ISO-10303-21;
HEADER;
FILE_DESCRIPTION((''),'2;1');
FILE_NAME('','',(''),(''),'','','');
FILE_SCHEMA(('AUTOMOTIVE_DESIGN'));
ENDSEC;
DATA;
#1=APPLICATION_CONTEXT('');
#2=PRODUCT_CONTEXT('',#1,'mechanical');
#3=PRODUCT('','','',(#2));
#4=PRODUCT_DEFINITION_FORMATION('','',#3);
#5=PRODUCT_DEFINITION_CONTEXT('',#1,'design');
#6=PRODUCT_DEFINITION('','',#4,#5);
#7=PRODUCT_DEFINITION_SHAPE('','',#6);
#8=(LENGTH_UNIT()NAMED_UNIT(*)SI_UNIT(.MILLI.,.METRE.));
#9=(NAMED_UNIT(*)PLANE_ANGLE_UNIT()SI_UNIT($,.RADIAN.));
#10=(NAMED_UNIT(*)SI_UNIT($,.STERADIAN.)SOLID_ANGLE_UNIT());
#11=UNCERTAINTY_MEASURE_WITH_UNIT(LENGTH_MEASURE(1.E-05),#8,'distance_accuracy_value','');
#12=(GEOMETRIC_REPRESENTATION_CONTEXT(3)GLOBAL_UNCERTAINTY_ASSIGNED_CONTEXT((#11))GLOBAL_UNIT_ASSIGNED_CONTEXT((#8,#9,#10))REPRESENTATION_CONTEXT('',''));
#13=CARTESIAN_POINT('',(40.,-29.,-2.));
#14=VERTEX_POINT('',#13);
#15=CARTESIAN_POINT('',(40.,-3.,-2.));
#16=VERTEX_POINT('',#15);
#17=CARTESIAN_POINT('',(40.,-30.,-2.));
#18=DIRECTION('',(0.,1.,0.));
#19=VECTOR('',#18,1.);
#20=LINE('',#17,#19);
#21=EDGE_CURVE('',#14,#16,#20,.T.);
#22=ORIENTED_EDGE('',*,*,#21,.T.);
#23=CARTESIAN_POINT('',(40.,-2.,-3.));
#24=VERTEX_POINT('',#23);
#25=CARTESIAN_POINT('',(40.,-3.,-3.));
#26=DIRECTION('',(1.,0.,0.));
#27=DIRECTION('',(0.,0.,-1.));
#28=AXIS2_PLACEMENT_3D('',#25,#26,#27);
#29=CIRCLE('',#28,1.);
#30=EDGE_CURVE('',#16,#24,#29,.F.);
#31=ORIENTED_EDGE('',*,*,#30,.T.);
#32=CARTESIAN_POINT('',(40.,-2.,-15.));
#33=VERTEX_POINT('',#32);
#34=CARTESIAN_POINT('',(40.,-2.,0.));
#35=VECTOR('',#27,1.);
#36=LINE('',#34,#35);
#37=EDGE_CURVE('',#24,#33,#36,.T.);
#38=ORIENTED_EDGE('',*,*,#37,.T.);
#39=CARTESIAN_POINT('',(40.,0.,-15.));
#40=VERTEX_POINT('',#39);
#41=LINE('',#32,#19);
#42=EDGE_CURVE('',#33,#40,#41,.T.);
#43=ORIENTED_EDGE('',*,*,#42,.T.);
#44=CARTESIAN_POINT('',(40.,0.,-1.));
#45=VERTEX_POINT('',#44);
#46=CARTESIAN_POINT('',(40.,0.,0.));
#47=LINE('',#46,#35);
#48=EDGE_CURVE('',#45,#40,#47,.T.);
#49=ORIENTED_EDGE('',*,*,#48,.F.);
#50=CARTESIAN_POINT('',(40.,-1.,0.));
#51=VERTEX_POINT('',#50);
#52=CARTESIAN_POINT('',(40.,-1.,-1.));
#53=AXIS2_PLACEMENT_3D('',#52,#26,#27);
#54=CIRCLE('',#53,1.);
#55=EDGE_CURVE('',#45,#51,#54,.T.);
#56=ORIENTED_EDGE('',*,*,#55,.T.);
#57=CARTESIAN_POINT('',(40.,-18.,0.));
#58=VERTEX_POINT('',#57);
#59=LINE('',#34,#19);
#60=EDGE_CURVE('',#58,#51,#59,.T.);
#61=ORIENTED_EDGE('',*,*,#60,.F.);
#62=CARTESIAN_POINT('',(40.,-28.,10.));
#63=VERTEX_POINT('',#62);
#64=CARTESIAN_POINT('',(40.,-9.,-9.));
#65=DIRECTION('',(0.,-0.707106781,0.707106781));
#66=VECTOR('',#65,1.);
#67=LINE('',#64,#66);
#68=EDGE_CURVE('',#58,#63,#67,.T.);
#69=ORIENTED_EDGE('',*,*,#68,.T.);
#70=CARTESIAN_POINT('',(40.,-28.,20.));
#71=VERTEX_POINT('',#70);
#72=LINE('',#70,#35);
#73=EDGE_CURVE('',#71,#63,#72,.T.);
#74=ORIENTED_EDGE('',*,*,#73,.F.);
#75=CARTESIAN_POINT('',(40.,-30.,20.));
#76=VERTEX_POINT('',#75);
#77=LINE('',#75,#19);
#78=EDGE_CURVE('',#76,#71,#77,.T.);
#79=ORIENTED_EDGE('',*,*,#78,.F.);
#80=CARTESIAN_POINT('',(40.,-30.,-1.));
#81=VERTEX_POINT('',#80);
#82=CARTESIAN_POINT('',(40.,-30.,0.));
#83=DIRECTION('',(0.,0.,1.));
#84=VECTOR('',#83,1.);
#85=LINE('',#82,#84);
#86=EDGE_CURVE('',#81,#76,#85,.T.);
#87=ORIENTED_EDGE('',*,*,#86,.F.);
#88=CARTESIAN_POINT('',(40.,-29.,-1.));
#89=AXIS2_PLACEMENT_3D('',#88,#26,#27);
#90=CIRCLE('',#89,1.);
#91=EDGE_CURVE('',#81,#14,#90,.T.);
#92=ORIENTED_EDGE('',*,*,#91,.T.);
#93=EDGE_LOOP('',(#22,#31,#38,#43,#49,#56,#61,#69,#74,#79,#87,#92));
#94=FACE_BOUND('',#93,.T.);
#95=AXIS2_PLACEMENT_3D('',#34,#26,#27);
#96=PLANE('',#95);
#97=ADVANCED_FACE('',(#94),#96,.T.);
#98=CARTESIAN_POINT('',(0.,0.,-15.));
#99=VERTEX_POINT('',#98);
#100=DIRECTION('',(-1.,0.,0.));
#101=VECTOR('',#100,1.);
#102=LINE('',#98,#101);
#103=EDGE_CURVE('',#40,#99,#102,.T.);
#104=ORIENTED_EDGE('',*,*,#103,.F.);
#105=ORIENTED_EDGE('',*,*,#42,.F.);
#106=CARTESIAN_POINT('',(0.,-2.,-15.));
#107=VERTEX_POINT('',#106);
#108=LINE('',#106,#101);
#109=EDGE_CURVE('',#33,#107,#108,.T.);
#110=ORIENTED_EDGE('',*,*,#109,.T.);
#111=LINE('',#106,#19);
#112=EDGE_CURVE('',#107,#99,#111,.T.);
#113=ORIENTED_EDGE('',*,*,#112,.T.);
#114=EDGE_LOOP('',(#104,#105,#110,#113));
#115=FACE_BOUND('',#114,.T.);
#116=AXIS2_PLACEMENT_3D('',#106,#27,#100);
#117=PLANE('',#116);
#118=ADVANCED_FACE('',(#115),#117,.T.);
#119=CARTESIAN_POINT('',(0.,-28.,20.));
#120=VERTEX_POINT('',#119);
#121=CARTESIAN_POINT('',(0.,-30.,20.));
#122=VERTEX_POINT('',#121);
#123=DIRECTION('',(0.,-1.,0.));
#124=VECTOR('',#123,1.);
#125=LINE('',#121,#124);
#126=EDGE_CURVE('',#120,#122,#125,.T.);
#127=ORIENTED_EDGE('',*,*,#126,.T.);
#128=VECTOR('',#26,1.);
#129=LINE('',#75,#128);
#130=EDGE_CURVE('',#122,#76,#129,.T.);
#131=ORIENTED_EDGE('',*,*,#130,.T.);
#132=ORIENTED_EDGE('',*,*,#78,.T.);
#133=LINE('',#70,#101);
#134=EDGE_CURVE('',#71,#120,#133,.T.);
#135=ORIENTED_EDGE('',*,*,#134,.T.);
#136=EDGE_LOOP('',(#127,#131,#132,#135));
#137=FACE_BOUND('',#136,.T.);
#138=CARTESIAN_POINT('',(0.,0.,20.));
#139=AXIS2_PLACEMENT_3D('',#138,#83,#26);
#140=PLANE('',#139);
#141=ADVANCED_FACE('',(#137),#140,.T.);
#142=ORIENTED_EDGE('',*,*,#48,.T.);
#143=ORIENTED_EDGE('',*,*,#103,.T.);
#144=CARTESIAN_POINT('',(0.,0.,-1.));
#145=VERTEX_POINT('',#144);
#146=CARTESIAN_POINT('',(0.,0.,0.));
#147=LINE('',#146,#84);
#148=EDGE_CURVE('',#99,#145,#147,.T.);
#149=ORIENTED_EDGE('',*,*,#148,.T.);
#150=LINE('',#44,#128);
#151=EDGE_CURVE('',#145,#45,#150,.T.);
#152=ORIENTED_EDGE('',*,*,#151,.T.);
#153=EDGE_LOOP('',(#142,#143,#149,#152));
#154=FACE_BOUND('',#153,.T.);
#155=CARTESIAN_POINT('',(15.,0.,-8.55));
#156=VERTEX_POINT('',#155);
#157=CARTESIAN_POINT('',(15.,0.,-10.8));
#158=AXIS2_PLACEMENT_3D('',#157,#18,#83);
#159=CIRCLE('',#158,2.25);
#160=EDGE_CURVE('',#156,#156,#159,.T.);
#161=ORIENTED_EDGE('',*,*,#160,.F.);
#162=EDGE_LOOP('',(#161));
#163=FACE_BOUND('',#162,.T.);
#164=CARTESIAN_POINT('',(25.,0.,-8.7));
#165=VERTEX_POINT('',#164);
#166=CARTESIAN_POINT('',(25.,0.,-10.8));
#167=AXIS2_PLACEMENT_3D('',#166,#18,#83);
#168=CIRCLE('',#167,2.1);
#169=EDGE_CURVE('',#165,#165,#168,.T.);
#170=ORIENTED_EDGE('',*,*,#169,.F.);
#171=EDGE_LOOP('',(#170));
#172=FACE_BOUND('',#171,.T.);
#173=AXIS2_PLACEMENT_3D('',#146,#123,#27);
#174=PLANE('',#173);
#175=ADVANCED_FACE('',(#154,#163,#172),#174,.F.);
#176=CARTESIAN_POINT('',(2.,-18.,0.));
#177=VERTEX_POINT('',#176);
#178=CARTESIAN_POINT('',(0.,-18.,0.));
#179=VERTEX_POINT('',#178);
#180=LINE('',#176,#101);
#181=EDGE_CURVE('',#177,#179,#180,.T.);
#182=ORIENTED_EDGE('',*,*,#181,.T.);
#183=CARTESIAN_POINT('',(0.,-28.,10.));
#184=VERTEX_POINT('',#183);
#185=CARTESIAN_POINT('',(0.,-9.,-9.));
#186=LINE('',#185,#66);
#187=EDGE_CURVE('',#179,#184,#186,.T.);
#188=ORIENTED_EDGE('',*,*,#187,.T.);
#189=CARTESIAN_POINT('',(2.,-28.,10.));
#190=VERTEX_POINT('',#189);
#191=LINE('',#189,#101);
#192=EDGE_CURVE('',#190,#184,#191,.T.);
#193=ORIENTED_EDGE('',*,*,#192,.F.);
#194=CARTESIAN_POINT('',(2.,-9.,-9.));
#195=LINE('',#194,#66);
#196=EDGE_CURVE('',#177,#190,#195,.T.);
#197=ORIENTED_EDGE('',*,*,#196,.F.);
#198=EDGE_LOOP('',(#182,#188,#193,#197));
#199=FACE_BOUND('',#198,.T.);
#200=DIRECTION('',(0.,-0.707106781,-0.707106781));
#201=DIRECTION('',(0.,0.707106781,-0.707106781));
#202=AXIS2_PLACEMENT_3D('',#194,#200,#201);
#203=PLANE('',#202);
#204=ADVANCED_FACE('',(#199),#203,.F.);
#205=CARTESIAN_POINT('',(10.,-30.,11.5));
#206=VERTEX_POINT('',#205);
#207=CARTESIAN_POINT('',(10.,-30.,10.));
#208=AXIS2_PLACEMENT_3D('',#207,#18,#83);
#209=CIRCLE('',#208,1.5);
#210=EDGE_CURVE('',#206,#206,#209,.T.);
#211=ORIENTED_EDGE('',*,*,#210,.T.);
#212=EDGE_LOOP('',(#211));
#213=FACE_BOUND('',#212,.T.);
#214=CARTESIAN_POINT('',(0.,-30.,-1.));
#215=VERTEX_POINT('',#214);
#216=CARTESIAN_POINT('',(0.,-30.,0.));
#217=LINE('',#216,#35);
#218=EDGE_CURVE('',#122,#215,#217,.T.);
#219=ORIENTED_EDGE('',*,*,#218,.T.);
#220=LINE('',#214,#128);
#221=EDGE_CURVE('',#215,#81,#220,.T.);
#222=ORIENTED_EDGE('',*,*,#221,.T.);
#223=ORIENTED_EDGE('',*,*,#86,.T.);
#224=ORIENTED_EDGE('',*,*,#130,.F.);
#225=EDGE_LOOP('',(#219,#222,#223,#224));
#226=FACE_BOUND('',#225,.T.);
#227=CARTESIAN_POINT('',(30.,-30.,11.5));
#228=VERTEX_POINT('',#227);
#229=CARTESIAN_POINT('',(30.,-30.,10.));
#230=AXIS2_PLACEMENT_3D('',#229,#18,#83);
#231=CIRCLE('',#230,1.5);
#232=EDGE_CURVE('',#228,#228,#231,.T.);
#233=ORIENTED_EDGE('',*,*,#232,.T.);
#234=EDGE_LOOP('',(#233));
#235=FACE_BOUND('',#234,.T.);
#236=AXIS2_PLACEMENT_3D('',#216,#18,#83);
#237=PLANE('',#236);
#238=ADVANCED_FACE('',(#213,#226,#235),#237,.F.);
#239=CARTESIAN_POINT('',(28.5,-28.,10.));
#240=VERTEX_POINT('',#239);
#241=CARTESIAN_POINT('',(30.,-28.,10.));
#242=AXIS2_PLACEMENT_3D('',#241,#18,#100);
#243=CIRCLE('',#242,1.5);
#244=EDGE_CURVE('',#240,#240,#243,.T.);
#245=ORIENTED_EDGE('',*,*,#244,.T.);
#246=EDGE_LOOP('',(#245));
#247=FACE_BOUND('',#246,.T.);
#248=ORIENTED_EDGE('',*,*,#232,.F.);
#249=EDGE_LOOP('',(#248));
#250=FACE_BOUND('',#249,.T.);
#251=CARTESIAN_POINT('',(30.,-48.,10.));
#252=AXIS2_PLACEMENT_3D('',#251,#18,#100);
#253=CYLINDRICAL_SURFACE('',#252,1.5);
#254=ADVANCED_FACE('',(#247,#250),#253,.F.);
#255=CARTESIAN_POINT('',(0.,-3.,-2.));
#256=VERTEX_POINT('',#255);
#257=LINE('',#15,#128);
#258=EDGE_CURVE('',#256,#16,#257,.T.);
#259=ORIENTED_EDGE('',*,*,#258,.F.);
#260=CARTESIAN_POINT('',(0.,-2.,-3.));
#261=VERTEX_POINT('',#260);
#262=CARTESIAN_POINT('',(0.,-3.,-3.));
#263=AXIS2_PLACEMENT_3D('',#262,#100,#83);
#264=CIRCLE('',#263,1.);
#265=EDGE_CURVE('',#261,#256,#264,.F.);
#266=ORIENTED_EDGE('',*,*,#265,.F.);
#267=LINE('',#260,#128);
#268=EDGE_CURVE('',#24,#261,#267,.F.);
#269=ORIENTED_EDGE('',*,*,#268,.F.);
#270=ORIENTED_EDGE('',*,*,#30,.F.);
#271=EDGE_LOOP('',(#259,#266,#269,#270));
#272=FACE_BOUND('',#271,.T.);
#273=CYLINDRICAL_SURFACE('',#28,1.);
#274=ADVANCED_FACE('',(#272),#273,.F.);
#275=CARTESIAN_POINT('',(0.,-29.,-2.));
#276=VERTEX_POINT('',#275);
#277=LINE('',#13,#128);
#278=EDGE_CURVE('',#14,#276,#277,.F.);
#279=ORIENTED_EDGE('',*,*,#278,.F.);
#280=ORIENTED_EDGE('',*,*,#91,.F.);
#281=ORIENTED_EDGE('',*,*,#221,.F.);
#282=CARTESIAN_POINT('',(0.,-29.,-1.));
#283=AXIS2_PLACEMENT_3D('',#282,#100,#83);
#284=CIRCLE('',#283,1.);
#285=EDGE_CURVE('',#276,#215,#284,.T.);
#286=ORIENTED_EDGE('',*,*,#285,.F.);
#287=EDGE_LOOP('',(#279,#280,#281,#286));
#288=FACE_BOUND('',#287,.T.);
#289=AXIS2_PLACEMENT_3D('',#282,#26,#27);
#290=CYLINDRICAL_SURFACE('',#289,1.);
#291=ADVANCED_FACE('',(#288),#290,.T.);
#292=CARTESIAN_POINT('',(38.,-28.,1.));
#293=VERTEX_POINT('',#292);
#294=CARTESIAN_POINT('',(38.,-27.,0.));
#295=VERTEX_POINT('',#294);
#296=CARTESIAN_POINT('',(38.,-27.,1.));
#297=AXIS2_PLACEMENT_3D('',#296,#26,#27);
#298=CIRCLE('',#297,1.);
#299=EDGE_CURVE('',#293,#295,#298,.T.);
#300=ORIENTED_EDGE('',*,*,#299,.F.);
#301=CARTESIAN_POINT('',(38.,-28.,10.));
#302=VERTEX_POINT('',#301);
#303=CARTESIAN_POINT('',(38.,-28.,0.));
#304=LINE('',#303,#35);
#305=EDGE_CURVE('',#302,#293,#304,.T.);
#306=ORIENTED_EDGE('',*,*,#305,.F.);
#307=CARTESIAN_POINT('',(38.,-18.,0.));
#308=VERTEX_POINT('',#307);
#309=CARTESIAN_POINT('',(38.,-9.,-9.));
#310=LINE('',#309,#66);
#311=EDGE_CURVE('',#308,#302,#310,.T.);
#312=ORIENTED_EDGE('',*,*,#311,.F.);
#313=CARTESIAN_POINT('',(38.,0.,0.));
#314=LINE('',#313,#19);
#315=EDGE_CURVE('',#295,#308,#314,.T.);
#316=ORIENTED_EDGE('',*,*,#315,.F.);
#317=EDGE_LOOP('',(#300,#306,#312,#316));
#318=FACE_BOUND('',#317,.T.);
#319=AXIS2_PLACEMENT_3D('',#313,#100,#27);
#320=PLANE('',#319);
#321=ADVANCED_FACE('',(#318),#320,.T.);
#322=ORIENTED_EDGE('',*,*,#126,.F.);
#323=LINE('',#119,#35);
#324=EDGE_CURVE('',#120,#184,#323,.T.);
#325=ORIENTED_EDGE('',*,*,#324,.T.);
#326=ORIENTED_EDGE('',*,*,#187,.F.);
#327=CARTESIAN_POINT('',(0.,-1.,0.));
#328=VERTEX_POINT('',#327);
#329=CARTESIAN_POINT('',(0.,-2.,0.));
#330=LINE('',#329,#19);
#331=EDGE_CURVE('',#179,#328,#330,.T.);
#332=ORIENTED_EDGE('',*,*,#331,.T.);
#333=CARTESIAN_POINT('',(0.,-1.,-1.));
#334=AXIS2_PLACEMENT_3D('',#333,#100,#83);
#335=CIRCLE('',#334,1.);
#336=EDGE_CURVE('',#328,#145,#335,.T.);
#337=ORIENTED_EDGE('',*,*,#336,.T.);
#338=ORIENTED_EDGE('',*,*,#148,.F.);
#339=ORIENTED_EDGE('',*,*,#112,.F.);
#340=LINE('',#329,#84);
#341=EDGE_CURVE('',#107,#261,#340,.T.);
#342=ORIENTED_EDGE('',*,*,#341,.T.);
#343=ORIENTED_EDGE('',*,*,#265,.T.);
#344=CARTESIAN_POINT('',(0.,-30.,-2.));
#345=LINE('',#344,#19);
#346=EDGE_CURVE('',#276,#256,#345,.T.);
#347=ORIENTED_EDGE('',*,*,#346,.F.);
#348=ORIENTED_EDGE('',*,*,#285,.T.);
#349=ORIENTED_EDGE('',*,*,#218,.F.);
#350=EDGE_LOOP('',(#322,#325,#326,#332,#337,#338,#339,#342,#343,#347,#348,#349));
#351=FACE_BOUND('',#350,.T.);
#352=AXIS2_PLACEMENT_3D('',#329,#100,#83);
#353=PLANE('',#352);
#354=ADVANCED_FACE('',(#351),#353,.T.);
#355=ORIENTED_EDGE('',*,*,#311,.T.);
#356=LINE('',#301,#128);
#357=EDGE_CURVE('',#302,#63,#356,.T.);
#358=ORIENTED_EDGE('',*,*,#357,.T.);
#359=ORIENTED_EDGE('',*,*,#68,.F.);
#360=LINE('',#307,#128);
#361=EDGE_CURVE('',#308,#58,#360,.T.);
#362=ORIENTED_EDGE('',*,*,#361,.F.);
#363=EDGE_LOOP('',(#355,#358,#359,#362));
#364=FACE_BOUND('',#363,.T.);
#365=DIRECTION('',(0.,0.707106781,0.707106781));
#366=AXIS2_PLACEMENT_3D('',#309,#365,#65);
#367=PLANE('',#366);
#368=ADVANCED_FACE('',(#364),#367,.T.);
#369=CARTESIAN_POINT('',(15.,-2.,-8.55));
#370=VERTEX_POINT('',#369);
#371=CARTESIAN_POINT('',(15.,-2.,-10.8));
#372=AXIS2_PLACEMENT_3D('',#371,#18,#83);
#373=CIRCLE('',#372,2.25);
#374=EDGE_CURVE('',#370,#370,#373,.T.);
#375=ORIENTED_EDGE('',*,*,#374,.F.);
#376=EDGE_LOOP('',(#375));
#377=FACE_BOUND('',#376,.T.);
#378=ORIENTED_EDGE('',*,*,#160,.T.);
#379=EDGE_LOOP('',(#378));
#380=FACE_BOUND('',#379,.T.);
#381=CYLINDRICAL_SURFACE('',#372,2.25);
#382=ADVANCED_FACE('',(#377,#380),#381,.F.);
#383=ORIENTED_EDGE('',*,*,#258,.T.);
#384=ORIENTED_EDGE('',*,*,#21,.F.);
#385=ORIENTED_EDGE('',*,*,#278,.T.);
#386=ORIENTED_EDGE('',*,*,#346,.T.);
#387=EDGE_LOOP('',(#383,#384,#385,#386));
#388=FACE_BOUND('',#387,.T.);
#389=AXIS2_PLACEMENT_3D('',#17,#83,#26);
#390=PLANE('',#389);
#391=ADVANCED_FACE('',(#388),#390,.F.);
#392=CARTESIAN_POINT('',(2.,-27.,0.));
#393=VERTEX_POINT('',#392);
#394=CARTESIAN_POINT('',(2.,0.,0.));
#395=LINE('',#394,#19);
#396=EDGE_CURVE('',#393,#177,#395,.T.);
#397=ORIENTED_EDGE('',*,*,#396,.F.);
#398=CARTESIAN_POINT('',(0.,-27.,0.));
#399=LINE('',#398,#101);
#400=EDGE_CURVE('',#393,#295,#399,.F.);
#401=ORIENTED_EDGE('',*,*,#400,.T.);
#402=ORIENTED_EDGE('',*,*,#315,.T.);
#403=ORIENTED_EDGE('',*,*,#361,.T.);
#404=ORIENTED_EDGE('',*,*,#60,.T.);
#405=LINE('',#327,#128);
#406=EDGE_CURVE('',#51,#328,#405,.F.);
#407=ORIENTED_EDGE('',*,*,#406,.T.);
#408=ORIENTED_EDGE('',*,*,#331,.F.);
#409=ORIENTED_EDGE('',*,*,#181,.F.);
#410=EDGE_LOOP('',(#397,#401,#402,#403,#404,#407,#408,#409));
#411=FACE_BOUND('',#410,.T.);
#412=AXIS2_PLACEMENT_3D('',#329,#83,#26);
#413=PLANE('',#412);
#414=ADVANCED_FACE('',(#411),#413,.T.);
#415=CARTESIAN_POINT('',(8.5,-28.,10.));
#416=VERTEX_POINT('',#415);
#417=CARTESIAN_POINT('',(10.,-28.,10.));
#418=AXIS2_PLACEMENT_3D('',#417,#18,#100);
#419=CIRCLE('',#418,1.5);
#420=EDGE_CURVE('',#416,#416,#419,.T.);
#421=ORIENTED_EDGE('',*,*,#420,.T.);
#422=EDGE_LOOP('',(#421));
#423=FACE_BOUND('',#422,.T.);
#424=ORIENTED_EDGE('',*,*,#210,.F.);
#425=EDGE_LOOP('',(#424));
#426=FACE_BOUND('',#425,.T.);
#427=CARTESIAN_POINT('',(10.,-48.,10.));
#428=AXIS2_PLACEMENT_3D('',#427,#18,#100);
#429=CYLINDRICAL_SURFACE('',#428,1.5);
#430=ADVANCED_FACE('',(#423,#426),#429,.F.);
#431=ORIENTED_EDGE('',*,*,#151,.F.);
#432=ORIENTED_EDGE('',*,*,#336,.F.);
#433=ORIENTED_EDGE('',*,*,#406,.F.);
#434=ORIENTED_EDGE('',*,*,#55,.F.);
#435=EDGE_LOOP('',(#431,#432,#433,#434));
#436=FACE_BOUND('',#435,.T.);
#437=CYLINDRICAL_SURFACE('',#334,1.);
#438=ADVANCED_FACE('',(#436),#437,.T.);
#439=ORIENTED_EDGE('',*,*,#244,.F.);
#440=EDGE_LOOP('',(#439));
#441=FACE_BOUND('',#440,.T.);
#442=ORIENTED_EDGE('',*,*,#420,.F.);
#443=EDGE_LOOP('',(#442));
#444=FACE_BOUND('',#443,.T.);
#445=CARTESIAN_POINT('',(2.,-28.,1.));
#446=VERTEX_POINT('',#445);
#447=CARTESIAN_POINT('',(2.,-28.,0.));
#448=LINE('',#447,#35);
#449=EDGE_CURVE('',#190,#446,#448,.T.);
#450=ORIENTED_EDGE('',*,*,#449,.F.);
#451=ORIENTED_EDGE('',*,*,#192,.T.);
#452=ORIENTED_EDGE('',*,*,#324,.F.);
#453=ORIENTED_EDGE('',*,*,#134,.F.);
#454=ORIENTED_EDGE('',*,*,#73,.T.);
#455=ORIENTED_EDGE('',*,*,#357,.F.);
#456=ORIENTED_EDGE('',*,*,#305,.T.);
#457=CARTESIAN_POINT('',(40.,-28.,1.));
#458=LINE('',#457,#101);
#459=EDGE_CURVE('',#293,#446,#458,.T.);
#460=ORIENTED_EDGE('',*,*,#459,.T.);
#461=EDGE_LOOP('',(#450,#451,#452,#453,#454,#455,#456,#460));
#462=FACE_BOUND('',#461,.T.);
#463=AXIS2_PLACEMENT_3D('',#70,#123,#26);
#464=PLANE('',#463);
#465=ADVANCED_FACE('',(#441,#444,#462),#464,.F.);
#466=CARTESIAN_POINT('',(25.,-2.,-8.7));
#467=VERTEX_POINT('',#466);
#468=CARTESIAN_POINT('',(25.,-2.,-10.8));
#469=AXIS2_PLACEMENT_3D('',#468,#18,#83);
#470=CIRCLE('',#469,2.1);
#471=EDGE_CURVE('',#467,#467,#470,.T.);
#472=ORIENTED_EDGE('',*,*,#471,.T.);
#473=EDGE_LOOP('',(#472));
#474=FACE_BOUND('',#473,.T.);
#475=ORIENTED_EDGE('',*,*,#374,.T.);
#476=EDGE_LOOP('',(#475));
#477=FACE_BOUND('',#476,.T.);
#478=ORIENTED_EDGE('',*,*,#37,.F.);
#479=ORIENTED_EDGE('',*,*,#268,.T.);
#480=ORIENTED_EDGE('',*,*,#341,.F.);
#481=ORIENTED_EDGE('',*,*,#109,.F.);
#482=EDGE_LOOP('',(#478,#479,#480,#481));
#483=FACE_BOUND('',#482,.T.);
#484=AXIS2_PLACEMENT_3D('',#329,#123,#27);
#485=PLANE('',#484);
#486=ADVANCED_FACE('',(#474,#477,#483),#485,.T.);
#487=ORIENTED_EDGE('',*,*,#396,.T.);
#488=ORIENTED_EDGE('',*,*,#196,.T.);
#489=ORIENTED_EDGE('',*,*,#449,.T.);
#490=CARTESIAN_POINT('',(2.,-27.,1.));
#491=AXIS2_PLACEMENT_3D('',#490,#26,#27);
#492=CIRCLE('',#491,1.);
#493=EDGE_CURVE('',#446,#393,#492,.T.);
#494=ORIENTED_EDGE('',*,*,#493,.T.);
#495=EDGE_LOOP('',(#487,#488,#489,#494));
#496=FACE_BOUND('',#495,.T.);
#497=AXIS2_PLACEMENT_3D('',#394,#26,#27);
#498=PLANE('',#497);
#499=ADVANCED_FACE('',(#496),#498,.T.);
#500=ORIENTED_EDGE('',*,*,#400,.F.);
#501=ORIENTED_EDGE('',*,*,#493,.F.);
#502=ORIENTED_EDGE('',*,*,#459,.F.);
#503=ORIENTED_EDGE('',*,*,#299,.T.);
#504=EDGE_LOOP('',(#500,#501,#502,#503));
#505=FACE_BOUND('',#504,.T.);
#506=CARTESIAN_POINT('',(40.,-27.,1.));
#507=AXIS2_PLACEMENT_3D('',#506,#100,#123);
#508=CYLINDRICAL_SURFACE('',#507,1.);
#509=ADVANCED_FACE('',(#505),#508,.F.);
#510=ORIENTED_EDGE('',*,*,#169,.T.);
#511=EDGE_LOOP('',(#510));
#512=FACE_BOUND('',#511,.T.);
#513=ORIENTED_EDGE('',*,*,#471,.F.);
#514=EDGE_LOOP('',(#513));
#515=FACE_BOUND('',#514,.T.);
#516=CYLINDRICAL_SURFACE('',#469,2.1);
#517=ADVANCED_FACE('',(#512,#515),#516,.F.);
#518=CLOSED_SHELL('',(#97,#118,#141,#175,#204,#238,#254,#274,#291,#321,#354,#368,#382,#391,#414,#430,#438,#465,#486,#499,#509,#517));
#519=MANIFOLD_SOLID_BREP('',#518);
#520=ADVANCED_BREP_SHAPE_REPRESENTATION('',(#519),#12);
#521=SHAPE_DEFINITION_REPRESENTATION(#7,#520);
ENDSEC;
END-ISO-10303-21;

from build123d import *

# Parameters (mm, degrees)
SKETCH1_W           = 40
SKETCH1_H           = 15
SKETCH1_R           = 2.25
SKETCH1_R_2         = 2.1
BOSS_EXTRUDE1_DEPTH = 2
SKETCH2_W           = 40
SKETCH2_H           = 2
BOSS_EXTRUDE2_DEPTH = 28
SKETCH3_W           = 40
SKETCH3_H           = 2
BOSS_EXTRUDE3_DEPTH = 20
SKETCH4_R           = 1.5
CUT_EXTRUDE1_DEPTH  = 20
FILLET1_R           = 1
BOSS_EXTRUDE4_START = 2
BOSS_EXTRUDE4_DEPTH = 2


with BuildPart() as part:
    # Sketch1 → Boss-Extrude1 (new body)
    with BuildSketch(Plane(origin=(0, 0, 0), x_dir=(1, 0, 0), z_dir=(0, 1, 0))):
        with Locations((20, 7.5)):
            Rectangle(SKETCH1_W, SKETCH1_H)
        with Locations(Location((15, 10.8, 0), (0, 0, 270))):
            Circle(SKETCH1_R, mode=Mode.SUBTRACT)
        with Locations(Location((25, 10.8, 0), (0, 0, 270))):
            Circle(SKETCH1_R_2, mode=Mode.SUBTRACT)
    extrude(amount=-BOSS_EXTRUDE1_DEPTH)

    # Sketch2 → Boss-Extrude2 (add)
    with BuildSketch(Plane.XZ.offset(2)):
        with Locations((20, -1)):
            Rectangle(SKETCH2_W, SKETCH2_H)
    extrude(amount=BOSS_EXTRUDE2_DEPTH)

    # Sketch3 → Boss-Extrude3 (add)
    with BuildSketch(Plane.XY):
        with Locations((20, -29)):
            Rectangle(SKETCH3_W, SKETCH3_H)
    extrude(amount=BOSS_EXTRUDE3_DEPTH)

    # Sketch4 → Cut-Extrude1 (cut)
    with BuildSketch(Plane(origin=(0, -28, 0), x_dir=(1, 0, 0), z_dir=(0, 1, 0))):
        with Locations(Location((10, -10, 0), (0, 0, 180))):
            Circle(SKETCH4_R)
        with Locations(Location((30, -10, 0), (0, 0, 180))):
            Circle(SKETCH4_R)
    extrude(amount=-CUT_EXTRUDE1_DEPTH, mode=Mode.SUBTRACT)

    # Fillet1
    fillet1_edges = [part.edges().sort_by_distance(p)[0] for p in [
        (20, -2, -2),
        (20, -30, -2),
        (20, -28, 0),
        (20, 0, 0),
    ]]
    fillet(fillet1_edges, radius=FILLET1_R)

    # Sketch5 → Boss-Extrude4 (add)
    with BuildSketch(Plane(origin=(0, 0, 0), x_dir=(0, 0, -1), z_dir=(1, 0, 0)).offset(BOSS_EXTRUDE4_START)):
        with BuildLine():
            Line((0, -18), (-10, -28))
            Line((-10, -28), (-1, -28))
            ThreePointArc((-1, -28), (-0.292893219, -27.707106781), (0, -27))
            Line((0, -27), (0, -18))
        make_face()
    boss_extrude4 = extrude(amount=-BOSS_EXTRUDE4_DEPTH)

    # Mirror1: Boss-Extrude4 across plane
    add(boss_extrude4.mirror(Plane(origin=(20, 0, 0), x_dir=(0, 0, 1), z_dir=(1, 0, 0))))


solid = part.part
